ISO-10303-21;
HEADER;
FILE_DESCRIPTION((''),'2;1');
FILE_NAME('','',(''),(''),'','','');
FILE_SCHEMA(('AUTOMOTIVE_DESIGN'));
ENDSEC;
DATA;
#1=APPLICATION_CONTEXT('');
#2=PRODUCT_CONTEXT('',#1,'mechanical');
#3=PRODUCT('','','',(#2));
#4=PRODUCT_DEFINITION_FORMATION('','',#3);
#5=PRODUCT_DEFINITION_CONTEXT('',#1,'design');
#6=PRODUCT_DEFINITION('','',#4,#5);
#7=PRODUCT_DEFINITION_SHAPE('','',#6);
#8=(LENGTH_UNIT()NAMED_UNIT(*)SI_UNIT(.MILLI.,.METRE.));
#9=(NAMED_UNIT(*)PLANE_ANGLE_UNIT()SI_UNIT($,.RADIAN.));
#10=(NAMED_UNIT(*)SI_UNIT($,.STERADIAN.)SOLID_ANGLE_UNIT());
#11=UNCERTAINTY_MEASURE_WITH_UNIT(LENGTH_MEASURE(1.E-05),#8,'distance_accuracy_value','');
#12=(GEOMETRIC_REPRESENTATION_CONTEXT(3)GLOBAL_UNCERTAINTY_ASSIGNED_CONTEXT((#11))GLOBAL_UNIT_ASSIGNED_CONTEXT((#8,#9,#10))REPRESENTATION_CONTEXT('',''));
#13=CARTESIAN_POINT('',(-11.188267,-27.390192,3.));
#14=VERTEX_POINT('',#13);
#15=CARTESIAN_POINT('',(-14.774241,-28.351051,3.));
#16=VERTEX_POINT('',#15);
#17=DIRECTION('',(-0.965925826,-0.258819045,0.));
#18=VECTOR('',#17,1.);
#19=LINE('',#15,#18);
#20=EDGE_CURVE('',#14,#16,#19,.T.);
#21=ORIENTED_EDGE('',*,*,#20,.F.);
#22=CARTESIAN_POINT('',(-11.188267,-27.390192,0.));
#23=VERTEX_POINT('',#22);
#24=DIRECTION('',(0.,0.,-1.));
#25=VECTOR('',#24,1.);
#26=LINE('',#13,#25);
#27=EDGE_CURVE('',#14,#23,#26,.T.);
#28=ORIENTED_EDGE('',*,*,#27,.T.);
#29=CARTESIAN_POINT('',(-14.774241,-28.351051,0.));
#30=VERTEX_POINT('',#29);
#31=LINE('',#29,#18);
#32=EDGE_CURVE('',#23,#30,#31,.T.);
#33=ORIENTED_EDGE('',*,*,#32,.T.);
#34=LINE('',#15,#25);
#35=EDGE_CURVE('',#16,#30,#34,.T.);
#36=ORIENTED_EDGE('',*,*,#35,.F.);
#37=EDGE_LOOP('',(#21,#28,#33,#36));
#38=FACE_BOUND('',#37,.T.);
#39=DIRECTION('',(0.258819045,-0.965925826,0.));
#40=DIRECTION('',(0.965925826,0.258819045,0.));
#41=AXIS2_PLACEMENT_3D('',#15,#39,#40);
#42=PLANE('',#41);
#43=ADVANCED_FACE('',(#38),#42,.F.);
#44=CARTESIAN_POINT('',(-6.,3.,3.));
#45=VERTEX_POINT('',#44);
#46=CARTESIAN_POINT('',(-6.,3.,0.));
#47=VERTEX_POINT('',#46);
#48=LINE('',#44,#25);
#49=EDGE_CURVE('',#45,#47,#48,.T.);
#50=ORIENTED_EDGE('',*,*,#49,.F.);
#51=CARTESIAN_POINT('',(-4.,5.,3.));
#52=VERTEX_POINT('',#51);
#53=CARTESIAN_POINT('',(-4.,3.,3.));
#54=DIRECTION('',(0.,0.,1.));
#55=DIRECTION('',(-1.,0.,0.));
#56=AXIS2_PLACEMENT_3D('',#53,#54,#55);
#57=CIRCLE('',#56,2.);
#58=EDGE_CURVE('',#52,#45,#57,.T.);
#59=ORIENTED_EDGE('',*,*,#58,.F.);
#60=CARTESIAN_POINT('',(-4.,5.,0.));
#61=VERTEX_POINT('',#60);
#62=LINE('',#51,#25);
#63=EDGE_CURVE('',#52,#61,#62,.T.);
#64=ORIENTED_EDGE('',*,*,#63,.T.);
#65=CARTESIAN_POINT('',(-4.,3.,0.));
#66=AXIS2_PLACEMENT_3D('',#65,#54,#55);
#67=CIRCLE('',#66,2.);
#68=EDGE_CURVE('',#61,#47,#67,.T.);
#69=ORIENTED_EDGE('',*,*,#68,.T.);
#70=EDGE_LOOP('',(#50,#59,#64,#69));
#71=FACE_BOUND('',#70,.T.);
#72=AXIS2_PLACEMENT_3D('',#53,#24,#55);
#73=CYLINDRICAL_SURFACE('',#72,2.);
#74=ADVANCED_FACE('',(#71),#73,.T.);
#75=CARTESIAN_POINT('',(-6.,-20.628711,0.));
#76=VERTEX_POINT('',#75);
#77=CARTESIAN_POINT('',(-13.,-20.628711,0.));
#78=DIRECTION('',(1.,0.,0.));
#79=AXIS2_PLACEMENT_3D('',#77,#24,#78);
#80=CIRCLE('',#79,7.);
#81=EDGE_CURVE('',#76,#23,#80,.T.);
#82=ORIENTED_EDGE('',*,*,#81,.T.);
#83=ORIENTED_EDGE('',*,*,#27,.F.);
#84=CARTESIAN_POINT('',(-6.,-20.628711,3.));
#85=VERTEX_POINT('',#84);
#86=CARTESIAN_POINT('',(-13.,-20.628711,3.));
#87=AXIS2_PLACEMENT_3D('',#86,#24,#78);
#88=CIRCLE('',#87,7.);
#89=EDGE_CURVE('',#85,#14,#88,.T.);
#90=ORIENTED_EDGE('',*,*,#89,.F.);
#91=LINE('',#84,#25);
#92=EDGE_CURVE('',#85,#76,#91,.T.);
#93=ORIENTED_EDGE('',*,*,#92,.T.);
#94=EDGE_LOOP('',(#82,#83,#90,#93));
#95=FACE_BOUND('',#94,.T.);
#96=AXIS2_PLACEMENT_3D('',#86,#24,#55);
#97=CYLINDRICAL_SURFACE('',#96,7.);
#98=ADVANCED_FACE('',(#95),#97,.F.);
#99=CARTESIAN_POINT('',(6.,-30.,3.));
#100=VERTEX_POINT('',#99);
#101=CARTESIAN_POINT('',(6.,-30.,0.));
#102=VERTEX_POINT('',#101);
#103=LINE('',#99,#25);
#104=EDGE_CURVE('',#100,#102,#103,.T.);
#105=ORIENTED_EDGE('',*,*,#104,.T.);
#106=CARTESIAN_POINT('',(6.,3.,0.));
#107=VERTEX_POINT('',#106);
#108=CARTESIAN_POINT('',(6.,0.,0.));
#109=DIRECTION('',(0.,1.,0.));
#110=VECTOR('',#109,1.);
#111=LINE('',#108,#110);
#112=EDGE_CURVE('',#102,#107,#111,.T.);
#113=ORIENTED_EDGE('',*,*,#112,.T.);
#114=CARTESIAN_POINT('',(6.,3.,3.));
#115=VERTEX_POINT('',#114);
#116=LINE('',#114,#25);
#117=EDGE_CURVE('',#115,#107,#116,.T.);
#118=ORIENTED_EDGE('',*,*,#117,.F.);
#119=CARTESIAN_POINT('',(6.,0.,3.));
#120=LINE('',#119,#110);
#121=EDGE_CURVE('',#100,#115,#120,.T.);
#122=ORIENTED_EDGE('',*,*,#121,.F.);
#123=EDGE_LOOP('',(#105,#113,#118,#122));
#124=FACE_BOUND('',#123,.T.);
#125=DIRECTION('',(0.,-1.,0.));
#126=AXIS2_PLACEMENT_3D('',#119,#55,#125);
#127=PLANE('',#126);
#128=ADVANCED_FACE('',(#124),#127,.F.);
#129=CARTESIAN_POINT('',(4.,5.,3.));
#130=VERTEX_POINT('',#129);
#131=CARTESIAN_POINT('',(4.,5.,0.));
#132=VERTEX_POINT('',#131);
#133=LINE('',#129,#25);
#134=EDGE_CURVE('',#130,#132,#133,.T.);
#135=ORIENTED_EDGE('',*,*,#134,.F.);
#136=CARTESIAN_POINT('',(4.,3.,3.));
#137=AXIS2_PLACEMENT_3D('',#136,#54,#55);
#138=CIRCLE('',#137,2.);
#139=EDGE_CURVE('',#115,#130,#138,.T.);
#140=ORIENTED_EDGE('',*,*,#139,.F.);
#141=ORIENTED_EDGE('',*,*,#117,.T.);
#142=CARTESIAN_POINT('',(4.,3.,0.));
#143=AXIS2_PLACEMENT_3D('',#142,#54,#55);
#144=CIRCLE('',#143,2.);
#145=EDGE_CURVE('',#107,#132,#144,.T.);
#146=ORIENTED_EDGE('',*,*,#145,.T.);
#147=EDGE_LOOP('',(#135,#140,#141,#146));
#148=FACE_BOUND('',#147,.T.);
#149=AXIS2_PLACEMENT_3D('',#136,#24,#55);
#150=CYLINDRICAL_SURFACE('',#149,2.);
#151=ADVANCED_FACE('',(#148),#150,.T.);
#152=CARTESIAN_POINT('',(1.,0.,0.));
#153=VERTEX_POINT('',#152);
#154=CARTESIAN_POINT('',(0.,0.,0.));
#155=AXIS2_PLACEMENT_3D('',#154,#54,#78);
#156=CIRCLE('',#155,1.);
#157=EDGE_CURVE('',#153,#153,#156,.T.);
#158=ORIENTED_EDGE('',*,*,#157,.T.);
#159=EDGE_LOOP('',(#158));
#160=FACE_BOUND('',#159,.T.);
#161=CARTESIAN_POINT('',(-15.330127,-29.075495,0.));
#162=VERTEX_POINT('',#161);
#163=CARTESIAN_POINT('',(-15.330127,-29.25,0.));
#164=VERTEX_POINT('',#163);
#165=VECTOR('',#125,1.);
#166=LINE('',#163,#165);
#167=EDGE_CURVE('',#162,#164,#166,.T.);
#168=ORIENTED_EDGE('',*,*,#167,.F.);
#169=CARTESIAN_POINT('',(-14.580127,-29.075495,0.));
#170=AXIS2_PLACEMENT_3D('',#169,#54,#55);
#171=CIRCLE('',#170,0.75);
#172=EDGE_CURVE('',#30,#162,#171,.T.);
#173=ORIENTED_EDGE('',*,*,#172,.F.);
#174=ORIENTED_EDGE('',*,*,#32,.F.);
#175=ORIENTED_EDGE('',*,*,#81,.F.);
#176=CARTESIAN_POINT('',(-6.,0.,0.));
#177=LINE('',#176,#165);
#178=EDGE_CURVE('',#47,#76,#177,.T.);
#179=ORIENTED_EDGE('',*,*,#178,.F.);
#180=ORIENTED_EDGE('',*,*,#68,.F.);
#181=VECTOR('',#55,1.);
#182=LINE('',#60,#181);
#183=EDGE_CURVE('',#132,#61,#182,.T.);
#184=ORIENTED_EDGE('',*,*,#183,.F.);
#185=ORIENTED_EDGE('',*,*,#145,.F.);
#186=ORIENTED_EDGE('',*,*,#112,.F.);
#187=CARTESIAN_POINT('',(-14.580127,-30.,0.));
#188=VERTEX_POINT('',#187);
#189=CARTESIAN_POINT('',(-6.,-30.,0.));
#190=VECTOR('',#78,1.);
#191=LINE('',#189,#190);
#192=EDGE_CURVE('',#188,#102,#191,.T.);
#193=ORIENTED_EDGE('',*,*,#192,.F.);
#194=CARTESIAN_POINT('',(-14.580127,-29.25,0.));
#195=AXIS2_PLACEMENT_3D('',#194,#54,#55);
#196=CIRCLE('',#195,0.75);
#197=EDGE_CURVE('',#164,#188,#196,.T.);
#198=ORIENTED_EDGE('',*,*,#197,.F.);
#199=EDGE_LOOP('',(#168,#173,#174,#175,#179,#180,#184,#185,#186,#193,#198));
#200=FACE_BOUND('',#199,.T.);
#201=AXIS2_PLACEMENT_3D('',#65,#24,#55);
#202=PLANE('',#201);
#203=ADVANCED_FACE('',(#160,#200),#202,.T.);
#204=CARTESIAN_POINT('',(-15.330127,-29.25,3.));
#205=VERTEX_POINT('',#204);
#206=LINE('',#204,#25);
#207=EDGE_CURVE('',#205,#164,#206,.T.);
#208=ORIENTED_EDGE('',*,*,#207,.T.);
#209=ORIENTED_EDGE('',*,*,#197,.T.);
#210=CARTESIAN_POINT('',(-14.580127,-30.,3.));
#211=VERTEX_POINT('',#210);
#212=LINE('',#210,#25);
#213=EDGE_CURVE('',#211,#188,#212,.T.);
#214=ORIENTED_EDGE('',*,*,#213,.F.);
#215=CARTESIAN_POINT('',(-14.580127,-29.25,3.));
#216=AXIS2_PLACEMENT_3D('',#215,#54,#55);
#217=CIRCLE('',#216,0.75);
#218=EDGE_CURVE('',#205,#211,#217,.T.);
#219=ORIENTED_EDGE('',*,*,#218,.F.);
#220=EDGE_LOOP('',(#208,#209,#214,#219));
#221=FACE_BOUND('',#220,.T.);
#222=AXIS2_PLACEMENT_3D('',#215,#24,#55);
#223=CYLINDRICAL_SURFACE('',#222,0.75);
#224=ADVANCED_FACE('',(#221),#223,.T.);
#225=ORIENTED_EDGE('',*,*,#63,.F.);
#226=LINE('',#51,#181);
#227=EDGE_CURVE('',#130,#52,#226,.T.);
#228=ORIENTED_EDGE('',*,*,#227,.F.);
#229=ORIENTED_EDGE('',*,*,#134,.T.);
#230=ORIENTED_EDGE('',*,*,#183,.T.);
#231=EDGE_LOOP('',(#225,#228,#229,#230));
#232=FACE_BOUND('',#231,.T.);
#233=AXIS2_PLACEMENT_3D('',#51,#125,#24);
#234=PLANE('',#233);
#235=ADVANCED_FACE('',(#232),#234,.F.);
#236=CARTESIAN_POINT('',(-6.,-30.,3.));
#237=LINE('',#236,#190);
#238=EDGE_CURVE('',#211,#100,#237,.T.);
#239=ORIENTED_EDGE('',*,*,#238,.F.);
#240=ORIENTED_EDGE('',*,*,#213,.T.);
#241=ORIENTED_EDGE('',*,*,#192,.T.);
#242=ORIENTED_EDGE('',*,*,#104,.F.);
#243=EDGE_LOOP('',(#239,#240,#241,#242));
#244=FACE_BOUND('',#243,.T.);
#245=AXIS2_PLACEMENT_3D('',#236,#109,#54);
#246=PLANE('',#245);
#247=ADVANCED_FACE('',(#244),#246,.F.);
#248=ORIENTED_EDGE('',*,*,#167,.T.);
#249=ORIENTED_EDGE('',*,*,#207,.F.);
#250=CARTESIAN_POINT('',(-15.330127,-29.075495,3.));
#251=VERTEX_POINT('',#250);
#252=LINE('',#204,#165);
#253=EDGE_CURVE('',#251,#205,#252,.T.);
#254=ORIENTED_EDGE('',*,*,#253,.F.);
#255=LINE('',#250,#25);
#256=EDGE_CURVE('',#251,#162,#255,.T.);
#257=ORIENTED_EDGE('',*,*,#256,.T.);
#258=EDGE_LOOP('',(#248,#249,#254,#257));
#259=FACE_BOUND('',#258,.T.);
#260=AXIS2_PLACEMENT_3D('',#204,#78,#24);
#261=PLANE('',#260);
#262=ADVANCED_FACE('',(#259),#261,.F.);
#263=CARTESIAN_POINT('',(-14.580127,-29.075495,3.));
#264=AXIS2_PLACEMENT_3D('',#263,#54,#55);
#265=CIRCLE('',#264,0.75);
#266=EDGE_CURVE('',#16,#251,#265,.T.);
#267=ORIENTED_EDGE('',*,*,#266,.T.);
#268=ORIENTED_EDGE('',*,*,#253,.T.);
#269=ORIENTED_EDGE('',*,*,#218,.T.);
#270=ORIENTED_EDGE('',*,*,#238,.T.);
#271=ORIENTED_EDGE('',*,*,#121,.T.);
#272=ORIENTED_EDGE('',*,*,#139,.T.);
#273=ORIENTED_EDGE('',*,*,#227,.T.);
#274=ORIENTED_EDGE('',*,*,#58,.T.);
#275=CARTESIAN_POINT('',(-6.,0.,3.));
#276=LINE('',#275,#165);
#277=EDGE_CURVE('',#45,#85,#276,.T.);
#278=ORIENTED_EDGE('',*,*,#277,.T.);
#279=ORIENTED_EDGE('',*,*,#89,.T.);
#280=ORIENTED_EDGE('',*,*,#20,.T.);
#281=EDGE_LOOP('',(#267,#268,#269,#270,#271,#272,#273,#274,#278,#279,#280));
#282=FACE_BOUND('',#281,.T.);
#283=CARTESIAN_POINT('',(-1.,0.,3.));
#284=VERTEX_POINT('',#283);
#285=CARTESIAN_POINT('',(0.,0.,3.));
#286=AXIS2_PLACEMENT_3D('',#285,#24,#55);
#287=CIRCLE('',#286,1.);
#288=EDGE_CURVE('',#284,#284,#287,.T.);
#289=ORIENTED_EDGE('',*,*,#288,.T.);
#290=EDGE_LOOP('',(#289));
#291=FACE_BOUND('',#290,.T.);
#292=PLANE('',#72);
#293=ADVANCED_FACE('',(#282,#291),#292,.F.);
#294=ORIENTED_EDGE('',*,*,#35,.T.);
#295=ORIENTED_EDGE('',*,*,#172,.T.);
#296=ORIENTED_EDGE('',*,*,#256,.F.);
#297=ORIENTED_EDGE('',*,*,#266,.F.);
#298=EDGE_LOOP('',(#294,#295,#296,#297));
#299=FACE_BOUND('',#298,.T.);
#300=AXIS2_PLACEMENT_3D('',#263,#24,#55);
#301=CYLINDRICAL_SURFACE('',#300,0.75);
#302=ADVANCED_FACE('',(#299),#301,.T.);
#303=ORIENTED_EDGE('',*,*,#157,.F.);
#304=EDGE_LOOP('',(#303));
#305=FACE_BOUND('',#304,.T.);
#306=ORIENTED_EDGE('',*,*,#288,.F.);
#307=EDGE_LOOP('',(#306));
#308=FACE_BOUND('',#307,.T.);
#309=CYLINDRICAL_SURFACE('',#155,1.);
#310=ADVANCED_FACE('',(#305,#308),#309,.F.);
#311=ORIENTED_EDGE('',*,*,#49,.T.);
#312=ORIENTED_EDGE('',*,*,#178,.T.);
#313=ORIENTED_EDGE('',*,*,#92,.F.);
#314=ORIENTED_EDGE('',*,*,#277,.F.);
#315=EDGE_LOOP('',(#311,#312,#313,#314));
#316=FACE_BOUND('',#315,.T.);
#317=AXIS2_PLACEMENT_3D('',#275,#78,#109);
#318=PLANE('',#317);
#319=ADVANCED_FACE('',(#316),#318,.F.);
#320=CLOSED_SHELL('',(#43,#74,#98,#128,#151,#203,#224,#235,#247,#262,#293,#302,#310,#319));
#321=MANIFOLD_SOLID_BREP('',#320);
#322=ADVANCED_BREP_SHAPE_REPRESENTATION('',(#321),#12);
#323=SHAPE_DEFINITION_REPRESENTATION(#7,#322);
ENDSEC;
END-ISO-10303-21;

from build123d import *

# Parameters (mm, degrees)
BOSS_EXTRUDE1_DEPTH     = 3
SKETCH2_R               = 1
CUT_EXTRUDE1_DEPTH      = 1
CUT_EXTRUDE1_DEPTH_BACK = 4


with BuildPart() as part:
    # Sketch1 → Boss-Extrude1 (new body)
    with BuildSketch(Plane.XY):
        with BuildLine():
            Line((-6, -30), (-14.580127019, -30))
            ThreePointArc((-14.580127019, -30), (-15.110457105, -29.780330086), (-15.330127019, -29.25))
            Line((-15.330127019, -29.25), (-15.330127019, -29.075495241))
            ThreePointArc((-15.330127019, -29.075495241), (-15.175142024, -28.618924169), (-14.774241303, -28.351050871))
            Line((-14.774241303, -28.351050871), (-11.188266684, -27.390191868))
            ThreePointArc((-11.188266684, -27.390191868), (-7.446526618, -24.890041087), (-6, -20.628711084))
            Line((-6, -20.628711084), (-6, 0))
            Line((-6, 0), (-6, 3))
            ThreePointArc((-6, 3), (-5.414213562, 4.414213562), (-4, 5))
            Line((-4, 5), (4, 5))
            ThreePointArc((4, 5), (5.414213562, 4.414213562), (6, 3))
            Line((6, 3), (6, 0))
            Line((6, 0), (6, -30))
            Line((6, -30), (-6, -30))
        make_face()
    extrude(amount=BOSS_EXTRUDE1_DEPTH)

    # Sketch2 → Cut-Extrude1 (cut, two sides)
    with BuildSketch(Plane.XY.offset(3)) as cut_extrude1_sk:
        Circle(SKETCH2_R)
    extrude(amount=CUT_EXTRUDE1_DEPTH, mode=Mode.SUBTRACT)
    extrude(cut_extrude1_sk.sketch, amount=-CUT_EXTRUDE1_DEPTH_BACK, mode=Mode.SUBTRACT)


solid = part.part
